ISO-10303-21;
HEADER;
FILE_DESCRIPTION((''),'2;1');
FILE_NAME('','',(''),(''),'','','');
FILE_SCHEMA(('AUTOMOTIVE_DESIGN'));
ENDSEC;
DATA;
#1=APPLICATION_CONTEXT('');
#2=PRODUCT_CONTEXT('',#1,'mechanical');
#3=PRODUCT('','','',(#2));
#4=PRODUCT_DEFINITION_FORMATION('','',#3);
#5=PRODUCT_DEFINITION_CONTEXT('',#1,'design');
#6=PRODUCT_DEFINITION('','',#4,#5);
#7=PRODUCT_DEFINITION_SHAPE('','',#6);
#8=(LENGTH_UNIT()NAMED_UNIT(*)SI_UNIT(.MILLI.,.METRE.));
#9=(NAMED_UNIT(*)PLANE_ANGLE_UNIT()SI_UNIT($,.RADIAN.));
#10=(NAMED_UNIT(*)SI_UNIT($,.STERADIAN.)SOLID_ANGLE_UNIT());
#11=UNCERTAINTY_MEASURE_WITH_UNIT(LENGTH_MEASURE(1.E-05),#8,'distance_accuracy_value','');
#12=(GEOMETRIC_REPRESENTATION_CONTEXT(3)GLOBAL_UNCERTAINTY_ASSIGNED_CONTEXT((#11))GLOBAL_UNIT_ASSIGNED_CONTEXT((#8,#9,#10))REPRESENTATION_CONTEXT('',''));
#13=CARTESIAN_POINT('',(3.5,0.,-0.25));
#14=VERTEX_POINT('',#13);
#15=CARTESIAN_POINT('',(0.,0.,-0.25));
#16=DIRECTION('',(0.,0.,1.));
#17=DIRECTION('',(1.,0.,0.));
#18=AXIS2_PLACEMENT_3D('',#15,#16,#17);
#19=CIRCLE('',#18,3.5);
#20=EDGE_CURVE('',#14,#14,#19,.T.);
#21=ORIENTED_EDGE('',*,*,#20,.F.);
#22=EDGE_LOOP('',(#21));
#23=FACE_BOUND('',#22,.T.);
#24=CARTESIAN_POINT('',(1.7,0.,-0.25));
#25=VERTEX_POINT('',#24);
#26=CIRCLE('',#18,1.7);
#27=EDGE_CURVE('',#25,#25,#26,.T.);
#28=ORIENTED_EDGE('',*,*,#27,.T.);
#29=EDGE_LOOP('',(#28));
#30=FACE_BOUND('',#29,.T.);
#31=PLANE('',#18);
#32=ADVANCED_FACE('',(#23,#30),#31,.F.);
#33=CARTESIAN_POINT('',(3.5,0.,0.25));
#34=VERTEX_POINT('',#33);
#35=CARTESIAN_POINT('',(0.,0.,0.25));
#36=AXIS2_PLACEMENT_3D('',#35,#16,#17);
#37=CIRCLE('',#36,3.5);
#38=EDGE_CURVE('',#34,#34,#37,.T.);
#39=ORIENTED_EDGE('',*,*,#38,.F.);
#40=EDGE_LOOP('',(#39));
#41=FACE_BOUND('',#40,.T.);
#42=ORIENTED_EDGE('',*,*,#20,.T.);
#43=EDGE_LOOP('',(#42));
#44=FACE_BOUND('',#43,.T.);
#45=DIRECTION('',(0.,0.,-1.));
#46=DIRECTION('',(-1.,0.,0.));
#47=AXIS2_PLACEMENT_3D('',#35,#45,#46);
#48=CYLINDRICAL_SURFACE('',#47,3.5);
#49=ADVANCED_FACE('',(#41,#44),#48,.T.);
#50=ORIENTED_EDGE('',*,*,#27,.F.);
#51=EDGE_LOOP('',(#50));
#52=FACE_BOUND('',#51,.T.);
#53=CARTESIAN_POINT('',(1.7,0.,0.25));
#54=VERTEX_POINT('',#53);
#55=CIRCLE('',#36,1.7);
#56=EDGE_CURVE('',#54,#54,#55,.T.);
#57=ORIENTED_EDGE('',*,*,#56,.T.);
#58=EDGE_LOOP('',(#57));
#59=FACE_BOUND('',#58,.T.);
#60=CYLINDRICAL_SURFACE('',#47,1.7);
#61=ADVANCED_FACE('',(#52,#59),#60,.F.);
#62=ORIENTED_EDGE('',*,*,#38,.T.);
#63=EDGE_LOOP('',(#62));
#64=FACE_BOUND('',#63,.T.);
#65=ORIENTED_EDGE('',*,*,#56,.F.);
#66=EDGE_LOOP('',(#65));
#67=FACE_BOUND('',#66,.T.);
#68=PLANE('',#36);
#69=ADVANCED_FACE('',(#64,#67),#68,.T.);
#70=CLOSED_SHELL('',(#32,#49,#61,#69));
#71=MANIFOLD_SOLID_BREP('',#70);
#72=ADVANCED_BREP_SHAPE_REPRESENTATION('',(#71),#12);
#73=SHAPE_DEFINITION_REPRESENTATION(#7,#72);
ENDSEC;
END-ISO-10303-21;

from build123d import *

# Parameters (mm, degrees)
SKETCH_1_R      = 3.5
SKETCH_1_R_2    = 1.7
EXTRUDE_1_DEPTH = 0.25


with BuildPart() as part:
    # 草圖1 → 填料-伸長1 (new body, symmetric)
    with BuildSketch(Plane.XY):
        Circle(SKETCH_1_R)
        Circle(SKETCH_1_R_2, mode=Mode.SUBTRACT)
    extrude(amount=EXTRUDE_1_DEPTH, both=True)


solid = part.part
